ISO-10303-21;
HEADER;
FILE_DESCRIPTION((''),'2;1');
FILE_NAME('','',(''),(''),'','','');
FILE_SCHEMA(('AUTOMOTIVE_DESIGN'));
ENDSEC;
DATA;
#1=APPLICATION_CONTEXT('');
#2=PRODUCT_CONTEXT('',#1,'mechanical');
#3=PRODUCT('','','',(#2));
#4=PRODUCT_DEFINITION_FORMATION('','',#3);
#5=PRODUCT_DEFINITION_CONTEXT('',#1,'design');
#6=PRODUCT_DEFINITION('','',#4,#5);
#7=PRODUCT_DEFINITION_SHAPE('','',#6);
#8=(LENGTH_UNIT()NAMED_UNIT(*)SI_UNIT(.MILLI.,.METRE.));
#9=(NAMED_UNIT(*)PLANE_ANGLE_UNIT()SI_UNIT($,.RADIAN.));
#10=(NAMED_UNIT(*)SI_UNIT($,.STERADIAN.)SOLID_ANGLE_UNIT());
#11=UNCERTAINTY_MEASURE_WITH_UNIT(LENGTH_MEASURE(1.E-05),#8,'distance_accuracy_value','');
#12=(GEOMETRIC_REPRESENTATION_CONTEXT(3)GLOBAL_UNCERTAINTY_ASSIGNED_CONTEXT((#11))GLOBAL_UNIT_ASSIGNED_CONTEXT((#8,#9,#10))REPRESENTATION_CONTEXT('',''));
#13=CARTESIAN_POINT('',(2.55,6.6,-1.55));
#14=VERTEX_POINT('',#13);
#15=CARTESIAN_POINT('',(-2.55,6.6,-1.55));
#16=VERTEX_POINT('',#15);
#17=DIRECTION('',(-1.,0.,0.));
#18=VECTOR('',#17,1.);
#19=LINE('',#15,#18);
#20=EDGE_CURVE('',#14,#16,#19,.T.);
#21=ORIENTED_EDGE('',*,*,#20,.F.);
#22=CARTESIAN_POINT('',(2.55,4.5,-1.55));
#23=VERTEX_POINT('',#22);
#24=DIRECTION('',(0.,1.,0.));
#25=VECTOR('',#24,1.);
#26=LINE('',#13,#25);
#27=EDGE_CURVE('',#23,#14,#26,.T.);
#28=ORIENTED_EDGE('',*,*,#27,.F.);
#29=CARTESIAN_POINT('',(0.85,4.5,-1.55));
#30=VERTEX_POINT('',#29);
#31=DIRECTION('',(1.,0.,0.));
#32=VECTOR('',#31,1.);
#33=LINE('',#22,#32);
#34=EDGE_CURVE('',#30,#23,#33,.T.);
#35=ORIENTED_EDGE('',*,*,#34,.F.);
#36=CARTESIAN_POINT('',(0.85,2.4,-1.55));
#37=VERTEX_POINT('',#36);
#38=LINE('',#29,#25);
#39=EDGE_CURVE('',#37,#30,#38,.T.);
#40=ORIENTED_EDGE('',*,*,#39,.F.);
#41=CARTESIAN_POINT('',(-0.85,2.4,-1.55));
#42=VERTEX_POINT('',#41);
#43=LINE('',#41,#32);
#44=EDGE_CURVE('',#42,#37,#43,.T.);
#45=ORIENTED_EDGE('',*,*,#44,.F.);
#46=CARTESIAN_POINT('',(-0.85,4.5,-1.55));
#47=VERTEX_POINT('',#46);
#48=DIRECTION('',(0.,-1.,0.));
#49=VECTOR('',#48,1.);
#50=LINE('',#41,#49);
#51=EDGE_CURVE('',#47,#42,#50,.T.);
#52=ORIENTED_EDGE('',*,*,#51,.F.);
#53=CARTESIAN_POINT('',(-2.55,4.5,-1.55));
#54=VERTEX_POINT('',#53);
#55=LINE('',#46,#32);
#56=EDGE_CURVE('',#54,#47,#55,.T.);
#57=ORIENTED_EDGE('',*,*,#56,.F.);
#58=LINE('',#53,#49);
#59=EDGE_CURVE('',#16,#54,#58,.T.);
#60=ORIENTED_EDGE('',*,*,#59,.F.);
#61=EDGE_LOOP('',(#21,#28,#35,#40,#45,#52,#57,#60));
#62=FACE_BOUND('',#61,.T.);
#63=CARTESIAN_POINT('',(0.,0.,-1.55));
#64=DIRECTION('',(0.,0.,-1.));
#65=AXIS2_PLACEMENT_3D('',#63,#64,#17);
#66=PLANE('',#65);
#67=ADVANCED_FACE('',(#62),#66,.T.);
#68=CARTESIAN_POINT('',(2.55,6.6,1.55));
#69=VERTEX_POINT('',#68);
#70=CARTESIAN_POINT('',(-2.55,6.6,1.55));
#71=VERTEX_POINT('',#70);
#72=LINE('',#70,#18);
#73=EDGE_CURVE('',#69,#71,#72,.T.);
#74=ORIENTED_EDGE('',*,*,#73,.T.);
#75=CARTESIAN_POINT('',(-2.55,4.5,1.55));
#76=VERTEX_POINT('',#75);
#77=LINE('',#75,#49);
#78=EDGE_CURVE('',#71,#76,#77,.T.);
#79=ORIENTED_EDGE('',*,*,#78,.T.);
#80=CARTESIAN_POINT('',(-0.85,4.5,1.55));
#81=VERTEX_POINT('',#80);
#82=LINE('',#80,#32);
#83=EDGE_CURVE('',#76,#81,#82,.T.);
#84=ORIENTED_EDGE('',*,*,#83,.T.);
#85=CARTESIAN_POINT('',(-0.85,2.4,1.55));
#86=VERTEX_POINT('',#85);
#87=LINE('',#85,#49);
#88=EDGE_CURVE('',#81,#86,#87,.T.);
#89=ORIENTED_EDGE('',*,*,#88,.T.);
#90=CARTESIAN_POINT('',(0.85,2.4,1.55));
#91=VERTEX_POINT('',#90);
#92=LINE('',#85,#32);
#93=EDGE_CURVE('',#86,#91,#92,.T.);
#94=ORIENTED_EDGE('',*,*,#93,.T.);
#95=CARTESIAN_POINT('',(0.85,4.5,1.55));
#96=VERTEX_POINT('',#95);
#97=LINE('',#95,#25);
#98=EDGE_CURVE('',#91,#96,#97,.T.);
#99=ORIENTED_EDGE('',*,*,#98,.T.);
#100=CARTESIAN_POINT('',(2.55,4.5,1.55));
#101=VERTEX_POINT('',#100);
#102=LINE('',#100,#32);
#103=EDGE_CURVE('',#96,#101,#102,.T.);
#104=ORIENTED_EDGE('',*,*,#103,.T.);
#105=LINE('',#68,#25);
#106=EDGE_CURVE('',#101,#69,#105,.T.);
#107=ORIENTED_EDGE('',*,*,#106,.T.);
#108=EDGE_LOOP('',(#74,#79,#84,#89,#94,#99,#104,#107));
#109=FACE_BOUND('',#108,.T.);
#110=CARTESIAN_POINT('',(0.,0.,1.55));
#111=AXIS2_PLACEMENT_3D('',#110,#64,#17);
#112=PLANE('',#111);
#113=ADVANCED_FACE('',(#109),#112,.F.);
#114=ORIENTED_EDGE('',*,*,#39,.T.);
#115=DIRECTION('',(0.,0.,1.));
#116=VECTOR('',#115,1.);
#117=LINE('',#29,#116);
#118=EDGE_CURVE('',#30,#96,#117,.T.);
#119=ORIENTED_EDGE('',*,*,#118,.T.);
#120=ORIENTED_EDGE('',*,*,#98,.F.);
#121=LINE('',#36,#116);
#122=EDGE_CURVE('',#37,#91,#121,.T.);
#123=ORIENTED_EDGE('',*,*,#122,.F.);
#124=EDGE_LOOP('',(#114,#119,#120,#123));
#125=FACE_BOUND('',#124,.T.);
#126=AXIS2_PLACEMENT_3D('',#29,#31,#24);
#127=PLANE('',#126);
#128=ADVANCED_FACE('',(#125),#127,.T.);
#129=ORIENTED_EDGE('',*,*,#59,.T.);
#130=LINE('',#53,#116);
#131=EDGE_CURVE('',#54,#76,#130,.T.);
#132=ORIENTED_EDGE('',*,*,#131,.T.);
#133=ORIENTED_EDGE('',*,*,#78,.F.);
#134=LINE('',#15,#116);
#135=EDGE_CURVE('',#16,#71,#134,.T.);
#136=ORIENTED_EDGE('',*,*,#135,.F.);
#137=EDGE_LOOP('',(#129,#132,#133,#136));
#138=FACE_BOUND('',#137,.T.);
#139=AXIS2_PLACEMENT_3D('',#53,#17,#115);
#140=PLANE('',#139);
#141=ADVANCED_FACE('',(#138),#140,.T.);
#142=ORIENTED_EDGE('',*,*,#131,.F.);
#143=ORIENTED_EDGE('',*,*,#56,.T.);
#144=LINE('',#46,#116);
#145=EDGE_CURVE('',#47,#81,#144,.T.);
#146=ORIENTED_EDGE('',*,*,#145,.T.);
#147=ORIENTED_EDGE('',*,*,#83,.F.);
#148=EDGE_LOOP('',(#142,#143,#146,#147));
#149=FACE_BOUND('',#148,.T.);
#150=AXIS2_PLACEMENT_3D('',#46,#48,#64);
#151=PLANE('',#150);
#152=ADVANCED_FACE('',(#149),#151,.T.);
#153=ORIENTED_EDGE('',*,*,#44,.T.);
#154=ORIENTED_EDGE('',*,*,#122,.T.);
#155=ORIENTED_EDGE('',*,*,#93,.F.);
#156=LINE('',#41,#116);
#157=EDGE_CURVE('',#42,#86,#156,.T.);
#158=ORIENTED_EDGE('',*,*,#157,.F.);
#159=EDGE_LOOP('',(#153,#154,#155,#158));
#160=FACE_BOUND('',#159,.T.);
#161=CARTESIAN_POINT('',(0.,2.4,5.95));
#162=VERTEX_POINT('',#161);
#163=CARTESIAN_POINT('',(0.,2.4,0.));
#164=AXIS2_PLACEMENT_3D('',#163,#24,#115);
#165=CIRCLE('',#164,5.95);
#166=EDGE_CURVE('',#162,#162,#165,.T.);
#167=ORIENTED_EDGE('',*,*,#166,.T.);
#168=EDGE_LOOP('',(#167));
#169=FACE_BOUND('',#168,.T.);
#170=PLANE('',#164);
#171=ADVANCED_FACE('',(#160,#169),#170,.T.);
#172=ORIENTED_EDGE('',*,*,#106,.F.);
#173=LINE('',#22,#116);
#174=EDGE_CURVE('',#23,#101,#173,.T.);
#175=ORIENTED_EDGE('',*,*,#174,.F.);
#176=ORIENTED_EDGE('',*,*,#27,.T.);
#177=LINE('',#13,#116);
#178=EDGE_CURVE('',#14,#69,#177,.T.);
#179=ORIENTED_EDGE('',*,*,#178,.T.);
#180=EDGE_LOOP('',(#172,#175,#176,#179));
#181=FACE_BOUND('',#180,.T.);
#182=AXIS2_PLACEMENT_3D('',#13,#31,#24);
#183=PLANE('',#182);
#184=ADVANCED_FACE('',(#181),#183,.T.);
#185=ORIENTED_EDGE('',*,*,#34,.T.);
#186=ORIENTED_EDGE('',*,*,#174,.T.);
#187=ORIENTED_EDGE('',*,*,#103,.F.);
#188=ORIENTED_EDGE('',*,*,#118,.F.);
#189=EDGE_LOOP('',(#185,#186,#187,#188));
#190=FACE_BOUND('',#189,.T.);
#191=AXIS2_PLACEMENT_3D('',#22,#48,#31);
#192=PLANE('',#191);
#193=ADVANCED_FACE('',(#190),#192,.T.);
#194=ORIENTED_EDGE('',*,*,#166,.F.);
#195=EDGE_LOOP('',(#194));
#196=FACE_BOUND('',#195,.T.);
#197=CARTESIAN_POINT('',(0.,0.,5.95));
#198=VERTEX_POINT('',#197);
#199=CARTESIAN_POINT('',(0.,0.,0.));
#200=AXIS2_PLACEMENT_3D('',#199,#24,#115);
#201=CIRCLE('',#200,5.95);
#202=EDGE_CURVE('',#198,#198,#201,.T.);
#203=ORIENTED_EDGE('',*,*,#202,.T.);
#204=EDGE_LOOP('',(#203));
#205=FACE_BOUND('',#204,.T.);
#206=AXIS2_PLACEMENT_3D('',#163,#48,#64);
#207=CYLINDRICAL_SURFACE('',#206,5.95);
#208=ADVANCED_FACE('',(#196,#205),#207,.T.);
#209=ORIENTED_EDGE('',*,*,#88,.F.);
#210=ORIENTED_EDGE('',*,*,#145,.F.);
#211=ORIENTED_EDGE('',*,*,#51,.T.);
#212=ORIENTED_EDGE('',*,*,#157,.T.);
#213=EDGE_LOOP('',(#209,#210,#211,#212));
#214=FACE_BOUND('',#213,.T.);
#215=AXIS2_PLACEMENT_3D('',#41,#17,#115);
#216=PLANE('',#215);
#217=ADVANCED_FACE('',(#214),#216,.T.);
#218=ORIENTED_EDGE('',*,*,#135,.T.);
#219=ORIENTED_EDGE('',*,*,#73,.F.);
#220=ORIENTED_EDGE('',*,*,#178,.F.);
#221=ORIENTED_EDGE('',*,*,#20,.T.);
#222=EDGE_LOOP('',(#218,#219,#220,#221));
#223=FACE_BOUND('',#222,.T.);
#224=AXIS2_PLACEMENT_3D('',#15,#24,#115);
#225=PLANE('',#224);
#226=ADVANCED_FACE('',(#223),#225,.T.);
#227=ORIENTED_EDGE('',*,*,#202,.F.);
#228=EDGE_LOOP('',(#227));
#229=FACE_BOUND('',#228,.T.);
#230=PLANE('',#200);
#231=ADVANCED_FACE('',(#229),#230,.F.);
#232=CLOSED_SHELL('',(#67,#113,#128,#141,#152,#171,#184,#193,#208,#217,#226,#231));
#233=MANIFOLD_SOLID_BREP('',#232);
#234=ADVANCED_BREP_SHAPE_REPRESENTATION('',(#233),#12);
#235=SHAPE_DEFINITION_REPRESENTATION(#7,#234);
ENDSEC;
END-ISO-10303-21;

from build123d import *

# Parameters (mm, degrees)
SKETCH2_R                = 5.95
BOSS_EXTRUDE2_DEPTH      = 2.4
BOSS_EXTRUDE3_DEPTH      = 1.55
BOSS_EXTRUDE3_DEPTH_BACK = 1.55


with BuildPart() as part:
    # Sketch2 → Boss-Extrude2 (new body)
    with BuildSketch(Plane(origin=(0, 0, 0), x_dir=(1, 0, 0), z_dir=(0, 1, 0))):
        with Locations(Location((0, 0, 0), (0, 0, 270))):
            Circle(SKETCH2_R)
    extrude(amount=BOSS_EXTRUDE2_DEPTH)

    # Sketch4 → Boss-Extrude3 (add, two sides: drawn at the far end of the back side and taken through both)
    with BuildSketch(Plane.XY.offset(-BOSS_EXTRUDE3_DEPTH_BACK)):
        Polygon((-0.85, 2.4), (-0.85, 4.5), (-2.55, 4.5), (-2.55, 6.6), (2.55, 6.6), (2.55, 4.5), (0.85, 4.5), (0.85, 2.4), align=None)
    extrude(amount=BOSS_EXTRUDE3_DEPTH + BOSS_EXTRUDE3_DEPTH_BACK)


solid = part.part
